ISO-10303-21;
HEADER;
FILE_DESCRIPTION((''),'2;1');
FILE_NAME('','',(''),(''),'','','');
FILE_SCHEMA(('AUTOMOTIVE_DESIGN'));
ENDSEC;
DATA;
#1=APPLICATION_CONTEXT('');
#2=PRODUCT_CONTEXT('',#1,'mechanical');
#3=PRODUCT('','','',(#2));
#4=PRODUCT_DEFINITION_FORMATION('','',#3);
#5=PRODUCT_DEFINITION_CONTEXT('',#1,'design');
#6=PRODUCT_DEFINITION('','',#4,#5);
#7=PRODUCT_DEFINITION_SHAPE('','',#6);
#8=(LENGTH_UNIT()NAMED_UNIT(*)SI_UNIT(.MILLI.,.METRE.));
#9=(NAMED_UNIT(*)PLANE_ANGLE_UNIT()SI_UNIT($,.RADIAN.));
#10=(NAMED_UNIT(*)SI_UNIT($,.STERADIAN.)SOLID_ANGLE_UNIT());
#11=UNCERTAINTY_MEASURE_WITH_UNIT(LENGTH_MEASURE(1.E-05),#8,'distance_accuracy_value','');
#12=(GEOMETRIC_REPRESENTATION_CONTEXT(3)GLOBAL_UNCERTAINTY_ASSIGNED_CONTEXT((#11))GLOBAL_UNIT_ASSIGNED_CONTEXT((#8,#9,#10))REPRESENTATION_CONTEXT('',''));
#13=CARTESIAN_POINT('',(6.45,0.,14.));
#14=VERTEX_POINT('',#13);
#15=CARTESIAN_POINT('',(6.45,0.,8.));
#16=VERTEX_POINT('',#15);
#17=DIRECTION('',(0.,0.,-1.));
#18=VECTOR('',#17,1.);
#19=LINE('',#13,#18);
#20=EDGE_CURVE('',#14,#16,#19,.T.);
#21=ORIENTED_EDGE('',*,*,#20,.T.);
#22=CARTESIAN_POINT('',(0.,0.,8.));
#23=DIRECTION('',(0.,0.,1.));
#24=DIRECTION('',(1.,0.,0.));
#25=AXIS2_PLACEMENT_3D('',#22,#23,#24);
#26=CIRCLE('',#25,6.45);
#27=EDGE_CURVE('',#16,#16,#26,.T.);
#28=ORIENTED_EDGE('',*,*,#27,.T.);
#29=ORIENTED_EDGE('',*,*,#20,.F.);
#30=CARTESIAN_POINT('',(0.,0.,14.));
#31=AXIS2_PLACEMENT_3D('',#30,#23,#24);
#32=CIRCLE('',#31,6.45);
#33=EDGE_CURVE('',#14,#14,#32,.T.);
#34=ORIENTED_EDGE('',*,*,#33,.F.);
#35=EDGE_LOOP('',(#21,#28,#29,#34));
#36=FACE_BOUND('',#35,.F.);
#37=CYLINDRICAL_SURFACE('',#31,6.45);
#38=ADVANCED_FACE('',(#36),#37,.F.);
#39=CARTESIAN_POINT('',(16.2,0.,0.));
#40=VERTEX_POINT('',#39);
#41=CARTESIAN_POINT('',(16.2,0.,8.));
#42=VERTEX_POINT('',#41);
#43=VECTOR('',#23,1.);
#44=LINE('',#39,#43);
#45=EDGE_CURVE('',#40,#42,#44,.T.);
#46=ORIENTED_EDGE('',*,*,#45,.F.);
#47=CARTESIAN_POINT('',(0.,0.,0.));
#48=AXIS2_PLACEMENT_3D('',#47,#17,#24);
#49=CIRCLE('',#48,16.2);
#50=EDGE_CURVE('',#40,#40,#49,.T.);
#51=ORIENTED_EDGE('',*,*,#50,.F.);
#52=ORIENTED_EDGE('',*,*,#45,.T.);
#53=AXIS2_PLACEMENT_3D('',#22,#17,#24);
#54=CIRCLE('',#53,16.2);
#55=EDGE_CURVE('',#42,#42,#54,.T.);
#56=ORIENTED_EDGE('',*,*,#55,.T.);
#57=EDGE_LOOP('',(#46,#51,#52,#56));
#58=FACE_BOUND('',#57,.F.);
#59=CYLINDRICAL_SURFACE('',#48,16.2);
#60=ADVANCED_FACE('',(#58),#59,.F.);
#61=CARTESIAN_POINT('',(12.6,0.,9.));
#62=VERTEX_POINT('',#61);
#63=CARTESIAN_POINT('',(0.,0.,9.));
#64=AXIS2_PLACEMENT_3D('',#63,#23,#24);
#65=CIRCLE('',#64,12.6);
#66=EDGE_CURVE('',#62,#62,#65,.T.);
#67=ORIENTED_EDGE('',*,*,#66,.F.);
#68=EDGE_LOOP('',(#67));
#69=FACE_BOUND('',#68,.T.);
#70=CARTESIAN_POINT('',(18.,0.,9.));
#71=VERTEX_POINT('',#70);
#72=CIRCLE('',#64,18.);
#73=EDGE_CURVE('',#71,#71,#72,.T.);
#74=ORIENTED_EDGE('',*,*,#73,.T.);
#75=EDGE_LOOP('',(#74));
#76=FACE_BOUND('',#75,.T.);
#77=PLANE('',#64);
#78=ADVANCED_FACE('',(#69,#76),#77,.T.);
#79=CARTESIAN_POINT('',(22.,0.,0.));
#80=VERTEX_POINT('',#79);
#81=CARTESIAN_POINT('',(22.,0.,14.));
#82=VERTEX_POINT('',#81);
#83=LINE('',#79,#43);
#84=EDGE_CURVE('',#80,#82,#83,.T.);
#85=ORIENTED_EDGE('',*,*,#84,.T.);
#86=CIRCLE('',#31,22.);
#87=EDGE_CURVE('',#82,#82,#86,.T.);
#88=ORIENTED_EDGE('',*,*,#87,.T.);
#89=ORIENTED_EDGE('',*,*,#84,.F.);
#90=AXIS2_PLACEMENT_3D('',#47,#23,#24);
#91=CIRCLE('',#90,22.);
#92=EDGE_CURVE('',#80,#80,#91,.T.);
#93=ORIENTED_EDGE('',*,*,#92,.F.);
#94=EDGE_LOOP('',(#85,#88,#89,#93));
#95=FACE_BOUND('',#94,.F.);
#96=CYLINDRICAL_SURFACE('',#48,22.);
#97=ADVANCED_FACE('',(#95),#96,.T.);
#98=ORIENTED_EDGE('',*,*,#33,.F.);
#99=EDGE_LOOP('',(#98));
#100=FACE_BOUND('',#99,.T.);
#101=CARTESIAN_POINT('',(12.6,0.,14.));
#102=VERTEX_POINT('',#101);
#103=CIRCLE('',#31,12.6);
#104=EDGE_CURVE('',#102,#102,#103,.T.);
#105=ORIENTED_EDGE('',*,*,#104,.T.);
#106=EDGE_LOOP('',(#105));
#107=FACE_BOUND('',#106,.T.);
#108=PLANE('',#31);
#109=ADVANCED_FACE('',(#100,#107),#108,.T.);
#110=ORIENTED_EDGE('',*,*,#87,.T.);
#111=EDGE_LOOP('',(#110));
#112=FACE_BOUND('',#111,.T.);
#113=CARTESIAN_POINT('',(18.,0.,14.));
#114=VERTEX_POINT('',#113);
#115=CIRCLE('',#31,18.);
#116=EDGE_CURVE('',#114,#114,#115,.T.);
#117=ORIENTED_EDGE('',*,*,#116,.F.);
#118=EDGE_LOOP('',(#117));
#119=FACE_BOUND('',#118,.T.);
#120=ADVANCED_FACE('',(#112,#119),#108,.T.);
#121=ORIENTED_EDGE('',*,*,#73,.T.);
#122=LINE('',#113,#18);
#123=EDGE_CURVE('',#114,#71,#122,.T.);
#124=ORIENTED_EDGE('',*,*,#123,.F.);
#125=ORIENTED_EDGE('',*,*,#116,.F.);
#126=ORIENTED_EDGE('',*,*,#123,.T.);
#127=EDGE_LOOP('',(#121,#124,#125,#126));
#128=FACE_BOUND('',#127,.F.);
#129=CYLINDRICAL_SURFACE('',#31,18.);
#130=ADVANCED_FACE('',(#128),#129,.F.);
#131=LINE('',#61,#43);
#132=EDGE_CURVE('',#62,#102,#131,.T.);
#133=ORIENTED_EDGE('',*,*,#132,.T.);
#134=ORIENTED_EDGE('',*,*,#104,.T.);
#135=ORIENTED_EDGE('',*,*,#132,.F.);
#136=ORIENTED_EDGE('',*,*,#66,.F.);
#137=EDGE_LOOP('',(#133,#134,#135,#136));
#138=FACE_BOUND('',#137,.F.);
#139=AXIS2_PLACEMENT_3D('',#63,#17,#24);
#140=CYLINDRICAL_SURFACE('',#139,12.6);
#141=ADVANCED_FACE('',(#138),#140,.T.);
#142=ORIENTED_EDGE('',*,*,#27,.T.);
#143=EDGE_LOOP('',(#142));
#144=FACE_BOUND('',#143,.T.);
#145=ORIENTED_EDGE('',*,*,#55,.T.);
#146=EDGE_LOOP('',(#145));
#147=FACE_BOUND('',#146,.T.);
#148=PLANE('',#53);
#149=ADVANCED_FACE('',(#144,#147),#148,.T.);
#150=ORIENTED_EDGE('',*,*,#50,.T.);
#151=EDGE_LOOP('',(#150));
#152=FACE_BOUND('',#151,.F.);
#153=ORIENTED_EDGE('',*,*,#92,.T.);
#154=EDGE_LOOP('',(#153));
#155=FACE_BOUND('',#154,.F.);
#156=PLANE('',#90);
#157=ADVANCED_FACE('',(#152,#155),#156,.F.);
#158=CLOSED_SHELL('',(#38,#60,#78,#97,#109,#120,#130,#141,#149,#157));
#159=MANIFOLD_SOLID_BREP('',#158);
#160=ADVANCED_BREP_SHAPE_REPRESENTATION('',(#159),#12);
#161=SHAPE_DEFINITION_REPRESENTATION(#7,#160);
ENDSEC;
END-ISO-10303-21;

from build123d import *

# Parameters (mm, degrees)
SKETCH_R        = 22
PAD_DEPTH       = 14
SKETCH001_R     = 18
POCKET_DEPTH    = 5
SKETCH002_R     = 12.6
PAD001_DEPTH    = 5
SKETCH003_R     = 6.45
POCKET001_DEPTH = 14.001
SKETCH004_R     = 16.2
POCKET002_DEPTH = 8


with BuildPart() as part:
    # Sketch → Pad (new body)
    with BuildSketch(Plane.XY):
        Circle(SKETCH_R)
    extrude(amount=PAD_DEPTH)

    # Sketch001 → Pocket (cut)
    with BuildSketch(Plane.XY.offset(14)):
        Circle(SKETCH001_R)
    extrude(amount=-POCKET_DEPTH, mode=Mode.SUBTRACT)

    # Sketch002 → Pad001 (new body)
    with BuildSketch(Plane.XY.offset(9)):
        Circle(SKETCH002_R)
    extrude(amount=PAD001_DEPTH)

    # Sketch003 → Pocket001 (cut, through all)
    with BuildSketch(Plane.XY.offset(14)):
        Circle(SKETCH003_R)
    extrude(amount=-POCKET001_DEPTH, mode=Mode.SUBTRACT)

    # Sketch004 → Pocket002 (cut)
    with BuildSketch(Plane(origin=(0, 0, 0), x_dir=(1, 0, 0), z_dir=(0, 0, -1))):
        Circle(SKETCH004_R)
    extrude(amount=-POCKET002_DEPTH, mode=Mode.SUBTRACT)


solid = part.part
